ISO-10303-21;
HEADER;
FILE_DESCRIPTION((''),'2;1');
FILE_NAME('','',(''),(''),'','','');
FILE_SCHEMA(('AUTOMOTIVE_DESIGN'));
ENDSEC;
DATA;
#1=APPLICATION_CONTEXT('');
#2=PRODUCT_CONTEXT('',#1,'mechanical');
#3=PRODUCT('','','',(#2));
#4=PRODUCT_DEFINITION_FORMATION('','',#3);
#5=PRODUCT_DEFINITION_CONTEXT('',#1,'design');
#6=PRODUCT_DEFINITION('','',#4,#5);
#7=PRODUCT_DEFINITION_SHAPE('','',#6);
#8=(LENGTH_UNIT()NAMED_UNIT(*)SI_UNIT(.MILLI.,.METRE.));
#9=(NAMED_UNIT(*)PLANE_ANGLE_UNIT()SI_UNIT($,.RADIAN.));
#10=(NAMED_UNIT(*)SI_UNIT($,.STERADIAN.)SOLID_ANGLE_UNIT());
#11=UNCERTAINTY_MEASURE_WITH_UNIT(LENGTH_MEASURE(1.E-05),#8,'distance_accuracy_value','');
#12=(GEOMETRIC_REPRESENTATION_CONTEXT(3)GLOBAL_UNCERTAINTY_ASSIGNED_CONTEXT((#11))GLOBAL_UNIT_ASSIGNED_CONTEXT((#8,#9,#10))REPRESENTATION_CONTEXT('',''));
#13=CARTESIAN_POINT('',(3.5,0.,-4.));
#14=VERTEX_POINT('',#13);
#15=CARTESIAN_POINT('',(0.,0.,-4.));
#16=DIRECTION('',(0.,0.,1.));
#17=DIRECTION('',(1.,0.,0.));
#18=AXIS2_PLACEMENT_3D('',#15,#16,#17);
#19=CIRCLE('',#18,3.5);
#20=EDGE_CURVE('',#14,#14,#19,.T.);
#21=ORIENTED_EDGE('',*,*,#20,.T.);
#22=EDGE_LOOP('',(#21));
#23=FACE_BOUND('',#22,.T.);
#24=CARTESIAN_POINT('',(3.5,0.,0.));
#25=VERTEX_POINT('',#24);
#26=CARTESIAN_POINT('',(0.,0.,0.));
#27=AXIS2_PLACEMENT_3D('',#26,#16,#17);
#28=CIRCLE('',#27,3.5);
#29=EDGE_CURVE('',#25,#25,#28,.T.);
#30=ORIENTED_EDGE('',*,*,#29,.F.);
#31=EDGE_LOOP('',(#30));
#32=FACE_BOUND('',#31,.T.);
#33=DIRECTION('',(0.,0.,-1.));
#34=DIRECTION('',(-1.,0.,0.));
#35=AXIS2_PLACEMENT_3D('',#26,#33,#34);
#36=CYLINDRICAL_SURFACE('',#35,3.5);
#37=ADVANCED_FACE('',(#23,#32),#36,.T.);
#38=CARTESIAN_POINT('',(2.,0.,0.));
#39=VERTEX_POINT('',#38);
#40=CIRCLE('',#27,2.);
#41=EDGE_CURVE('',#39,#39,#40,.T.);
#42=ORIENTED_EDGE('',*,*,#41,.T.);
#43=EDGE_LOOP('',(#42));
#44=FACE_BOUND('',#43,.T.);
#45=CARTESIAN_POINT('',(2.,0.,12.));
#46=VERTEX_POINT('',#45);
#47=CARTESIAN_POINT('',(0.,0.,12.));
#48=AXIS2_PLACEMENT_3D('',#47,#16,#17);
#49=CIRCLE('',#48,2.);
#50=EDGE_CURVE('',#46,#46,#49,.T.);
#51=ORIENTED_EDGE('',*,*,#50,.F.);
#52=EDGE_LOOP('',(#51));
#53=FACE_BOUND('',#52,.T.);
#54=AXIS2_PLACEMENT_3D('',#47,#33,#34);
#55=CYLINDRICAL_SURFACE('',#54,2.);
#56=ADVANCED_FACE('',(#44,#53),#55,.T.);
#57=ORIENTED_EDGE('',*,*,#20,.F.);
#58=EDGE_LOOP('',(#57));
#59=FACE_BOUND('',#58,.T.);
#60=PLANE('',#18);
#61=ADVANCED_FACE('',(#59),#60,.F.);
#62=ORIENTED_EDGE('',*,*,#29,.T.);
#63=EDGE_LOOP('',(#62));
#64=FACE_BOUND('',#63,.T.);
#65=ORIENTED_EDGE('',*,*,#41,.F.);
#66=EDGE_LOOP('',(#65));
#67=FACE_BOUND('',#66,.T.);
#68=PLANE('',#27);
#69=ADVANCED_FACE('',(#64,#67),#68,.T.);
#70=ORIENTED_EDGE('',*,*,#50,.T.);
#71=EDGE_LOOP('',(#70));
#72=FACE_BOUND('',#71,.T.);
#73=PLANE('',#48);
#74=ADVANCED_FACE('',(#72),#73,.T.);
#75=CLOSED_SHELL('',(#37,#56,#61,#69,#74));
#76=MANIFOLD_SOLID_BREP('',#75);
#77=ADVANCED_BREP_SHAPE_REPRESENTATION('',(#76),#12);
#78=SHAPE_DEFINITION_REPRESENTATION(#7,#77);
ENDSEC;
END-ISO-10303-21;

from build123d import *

# Parameters (mm, degrees)
HEAD_ENVELOPE_START         = -4
SKETCH1_R                   = 3.5
HEAD_ENVELOPE_DEPTH         = 4
SKETCH2_R                   = 2
THREAD_MAJOR_ENVELOPE_DEPTH = 12


with BuildPart() as part:
    # Sketch1 → Head_Envelope (new body)
    with BuildSketch(Plane.XY.offset(HEAD_ENVELOPE_START)):
        Circle(SKETCH1_R)
    extrude(amount=HEAD_ENVELOPE_DEPTH)

    # Sketch2 → Thread_Major_Envelope (add)
    with BuildSketch(Plane.XY):
        Circle(SKETCH2_R)
    extrude(amount=THREAD_MAJOR_ENVELOPE_DEPTH)


solid = part.part
